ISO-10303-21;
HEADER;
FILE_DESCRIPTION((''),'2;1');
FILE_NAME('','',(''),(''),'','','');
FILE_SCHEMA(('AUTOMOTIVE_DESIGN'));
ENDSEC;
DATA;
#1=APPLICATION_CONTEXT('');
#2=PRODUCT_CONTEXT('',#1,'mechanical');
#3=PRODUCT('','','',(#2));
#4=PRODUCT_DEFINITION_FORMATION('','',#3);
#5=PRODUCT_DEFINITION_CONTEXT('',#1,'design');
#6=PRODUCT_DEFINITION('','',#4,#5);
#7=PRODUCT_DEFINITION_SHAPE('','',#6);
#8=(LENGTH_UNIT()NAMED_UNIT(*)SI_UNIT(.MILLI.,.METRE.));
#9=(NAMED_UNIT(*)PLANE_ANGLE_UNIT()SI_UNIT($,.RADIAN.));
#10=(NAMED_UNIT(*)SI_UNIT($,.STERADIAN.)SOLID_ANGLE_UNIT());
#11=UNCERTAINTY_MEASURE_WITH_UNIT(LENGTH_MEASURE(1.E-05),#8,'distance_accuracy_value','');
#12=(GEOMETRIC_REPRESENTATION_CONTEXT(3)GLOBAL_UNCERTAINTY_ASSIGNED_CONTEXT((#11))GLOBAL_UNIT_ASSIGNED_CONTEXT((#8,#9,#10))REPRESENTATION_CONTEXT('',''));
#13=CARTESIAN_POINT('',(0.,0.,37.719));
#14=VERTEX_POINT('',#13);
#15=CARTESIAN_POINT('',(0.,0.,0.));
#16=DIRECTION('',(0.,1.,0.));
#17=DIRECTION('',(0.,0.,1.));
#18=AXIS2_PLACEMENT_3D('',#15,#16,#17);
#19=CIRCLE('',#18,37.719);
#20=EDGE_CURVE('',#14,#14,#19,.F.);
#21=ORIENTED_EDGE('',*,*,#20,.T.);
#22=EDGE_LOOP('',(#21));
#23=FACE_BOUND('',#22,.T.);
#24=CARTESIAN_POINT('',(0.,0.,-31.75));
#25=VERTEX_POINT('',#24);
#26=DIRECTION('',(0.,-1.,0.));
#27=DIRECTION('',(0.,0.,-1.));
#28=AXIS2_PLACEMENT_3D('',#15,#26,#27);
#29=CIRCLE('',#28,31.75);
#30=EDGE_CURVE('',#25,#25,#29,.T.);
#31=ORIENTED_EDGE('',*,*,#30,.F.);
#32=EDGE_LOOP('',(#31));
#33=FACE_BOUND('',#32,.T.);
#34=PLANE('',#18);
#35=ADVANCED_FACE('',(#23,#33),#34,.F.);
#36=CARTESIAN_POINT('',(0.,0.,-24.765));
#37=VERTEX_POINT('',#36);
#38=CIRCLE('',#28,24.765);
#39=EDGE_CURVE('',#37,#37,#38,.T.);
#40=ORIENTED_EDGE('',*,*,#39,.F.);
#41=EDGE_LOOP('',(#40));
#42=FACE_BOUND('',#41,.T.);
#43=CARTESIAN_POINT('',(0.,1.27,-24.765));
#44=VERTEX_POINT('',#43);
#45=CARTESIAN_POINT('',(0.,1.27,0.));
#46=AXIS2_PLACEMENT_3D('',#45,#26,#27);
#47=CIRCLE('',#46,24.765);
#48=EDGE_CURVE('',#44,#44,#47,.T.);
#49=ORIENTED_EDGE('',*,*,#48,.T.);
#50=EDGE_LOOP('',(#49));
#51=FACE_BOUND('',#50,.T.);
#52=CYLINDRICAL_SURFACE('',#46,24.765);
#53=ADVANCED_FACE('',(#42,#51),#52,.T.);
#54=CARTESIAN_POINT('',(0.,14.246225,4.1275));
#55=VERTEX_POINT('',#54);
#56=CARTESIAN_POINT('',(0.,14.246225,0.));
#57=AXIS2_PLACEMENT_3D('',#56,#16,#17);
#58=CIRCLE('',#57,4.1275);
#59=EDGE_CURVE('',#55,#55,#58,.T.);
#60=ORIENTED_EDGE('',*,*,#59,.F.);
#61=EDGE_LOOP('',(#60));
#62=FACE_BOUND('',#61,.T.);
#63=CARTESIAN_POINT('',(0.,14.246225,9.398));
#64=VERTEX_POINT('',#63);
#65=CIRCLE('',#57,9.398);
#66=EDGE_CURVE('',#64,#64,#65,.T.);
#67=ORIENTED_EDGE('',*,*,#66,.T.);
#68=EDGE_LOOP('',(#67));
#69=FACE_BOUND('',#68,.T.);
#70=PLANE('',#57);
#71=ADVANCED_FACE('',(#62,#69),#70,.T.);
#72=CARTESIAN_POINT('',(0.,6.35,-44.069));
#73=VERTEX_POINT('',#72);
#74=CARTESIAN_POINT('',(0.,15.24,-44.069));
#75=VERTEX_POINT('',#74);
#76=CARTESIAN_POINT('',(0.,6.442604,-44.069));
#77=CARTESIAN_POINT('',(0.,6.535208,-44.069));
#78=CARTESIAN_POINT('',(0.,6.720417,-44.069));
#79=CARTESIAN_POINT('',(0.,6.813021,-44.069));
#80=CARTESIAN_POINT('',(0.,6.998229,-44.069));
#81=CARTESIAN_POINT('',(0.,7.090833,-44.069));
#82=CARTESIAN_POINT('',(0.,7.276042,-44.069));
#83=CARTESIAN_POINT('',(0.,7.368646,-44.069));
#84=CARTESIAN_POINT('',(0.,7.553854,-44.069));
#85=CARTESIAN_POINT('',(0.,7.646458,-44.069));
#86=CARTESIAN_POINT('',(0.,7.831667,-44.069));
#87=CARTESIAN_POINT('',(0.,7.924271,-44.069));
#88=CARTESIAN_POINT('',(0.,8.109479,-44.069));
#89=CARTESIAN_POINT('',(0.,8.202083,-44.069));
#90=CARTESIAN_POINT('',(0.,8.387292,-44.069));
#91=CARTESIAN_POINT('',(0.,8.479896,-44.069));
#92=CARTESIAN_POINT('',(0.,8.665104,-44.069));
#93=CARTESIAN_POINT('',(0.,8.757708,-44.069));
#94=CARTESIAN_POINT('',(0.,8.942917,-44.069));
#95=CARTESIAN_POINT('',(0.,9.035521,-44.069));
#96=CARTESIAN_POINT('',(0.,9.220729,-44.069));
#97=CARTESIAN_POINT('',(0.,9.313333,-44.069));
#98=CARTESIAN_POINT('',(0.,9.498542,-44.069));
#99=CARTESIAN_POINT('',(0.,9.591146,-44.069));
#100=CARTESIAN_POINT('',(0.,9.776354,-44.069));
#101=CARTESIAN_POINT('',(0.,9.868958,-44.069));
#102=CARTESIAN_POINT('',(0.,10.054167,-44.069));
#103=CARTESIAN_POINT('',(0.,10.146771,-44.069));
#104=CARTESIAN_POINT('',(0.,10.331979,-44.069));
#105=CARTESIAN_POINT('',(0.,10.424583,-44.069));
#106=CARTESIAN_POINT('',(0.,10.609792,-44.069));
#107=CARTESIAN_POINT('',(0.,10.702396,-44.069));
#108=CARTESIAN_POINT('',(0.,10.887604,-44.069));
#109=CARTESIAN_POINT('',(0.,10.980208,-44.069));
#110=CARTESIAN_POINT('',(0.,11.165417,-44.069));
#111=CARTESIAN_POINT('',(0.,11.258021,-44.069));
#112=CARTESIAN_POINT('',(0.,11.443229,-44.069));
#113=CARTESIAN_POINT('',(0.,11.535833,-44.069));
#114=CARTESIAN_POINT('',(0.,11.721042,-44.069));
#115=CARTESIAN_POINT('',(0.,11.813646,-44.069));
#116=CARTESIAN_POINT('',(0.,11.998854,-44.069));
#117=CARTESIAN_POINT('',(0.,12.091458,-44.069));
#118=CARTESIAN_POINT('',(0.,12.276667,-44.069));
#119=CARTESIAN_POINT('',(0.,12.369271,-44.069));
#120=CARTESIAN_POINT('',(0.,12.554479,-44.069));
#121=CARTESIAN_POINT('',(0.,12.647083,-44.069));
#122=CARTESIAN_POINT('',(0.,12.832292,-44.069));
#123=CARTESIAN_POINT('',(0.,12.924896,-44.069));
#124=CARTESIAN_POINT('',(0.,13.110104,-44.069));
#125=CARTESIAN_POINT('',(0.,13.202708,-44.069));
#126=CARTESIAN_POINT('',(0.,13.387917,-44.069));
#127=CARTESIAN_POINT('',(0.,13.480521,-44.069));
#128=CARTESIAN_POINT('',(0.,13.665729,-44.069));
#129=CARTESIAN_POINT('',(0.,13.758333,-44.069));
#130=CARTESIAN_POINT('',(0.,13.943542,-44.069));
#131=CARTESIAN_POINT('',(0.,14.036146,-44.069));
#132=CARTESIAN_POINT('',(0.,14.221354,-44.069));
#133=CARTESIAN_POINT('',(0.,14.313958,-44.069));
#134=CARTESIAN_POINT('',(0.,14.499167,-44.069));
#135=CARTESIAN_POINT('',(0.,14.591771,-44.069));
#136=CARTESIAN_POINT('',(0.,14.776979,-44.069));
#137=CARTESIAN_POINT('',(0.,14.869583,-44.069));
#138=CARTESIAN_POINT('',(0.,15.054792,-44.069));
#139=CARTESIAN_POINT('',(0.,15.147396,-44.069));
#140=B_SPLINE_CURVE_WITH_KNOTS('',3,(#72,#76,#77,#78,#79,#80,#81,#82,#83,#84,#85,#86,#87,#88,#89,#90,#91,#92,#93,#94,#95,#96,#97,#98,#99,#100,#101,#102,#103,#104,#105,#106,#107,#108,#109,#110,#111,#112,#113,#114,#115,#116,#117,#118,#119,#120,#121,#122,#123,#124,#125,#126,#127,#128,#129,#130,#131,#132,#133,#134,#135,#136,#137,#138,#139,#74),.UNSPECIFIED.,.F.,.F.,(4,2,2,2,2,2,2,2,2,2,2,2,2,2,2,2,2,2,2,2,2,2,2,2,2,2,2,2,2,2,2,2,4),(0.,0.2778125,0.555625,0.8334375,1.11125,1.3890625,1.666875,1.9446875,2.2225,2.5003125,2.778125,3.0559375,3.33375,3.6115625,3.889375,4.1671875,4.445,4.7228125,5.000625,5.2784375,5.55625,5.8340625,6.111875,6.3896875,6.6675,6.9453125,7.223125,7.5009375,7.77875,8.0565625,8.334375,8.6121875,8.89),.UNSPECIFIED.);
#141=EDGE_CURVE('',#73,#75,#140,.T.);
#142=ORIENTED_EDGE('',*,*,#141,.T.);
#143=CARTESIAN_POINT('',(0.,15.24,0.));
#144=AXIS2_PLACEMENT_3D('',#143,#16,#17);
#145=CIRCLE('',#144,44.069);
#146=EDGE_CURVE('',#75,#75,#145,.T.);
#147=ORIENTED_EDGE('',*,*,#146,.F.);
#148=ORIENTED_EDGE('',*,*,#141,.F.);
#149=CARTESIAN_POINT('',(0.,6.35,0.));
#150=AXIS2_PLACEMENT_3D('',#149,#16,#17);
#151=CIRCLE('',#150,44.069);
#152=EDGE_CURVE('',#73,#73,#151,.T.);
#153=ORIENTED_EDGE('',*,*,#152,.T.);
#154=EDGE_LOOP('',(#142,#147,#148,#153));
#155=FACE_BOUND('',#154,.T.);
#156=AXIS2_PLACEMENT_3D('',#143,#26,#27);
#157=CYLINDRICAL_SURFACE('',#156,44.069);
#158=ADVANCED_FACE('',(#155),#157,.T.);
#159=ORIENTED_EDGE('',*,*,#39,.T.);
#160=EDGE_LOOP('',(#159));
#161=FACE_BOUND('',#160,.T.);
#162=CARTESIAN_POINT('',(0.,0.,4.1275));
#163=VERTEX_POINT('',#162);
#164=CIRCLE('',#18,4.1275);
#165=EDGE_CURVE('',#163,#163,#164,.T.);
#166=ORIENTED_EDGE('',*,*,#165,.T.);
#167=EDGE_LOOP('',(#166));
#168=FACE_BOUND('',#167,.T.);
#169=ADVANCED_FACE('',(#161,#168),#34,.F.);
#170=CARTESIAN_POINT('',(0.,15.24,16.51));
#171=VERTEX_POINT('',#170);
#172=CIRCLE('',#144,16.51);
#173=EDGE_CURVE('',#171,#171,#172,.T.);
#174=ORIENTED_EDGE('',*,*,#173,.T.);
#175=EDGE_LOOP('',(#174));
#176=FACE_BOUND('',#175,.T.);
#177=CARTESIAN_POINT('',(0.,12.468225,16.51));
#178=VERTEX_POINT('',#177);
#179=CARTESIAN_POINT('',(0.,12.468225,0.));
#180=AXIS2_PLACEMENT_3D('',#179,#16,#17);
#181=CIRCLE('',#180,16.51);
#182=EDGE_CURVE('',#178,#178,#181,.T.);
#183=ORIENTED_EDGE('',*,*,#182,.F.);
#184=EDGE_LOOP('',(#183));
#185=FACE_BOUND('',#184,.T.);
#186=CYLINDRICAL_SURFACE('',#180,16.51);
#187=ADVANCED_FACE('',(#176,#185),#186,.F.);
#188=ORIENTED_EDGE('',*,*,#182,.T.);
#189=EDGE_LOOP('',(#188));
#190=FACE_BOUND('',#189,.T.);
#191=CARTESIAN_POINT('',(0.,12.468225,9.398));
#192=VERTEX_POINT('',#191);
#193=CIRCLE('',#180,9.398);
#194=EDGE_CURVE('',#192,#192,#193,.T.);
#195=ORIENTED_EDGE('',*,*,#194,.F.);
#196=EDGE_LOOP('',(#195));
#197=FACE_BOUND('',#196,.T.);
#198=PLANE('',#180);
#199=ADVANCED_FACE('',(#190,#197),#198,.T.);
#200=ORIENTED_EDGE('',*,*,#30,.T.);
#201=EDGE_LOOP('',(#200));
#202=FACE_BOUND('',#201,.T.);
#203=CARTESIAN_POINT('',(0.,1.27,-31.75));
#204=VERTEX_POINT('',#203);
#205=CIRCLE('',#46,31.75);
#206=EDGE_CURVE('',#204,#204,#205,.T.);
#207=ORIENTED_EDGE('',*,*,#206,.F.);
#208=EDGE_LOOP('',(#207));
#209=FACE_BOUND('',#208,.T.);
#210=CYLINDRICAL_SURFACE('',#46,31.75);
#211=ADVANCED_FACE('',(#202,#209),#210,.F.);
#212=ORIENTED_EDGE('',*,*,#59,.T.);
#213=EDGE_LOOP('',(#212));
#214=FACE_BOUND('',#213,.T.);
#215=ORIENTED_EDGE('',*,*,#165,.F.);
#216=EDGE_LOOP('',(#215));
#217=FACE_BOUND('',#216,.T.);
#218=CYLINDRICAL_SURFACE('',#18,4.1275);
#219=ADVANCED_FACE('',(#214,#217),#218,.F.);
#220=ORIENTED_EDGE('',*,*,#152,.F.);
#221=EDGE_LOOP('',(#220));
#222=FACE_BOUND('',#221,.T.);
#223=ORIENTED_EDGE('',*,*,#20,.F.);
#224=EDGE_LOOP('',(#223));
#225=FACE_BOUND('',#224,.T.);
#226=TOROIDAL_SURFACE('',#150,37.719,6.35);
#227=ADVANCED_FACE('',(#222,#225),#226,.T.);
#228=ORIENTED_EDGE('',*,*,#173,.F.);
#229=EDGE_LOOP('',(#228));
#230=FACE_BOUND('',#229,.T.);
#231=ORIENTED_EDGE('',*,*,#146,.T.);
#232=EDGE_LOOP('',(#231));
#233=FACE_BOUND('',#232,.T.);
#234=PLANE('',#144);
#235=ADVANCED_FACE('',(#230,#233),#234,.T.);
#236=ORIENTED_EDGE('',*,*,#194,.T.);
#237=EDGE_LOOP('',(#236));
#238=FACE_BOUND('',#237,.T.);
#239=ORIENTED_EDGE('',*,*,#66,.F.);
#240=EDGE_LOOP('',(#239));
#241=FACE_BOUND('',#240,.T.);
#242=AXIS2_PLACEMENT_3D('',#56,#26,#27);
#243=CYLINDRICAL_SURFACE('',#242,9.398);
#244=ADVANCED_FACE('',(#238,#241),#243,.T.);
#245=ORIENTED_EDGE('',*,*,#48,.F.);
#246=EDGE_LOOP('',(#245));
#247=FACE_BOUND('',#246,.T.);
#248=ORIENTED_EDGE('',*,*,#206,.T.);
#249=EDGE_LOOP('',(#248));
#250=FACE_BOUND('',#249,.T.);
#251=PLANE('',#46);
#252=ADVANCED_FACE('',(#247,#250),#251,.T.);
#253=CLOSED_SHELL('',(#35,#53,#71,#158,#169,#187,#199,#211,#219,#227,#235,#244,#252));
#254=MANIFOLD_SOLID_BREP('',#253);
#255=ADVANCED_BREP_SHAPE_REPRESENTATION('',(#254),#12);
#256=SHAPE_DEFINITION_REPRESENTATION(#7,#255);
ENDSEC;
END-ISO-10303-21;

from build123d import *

# Parameters (mm, degrees)
SKETCH1_R           = 44.069
BOSS_EXTRUDE1_DEPTH = 15.24
SKETCH3_R           = 16.51
CUT_EXTRUDE1_DEPTH  = 2.771775
SKETCH4_R           = 4.1275
CUT_EXTRUDE2_DEPTH  = 64.557927567
BOSS_EXTRUDE2_START = 1.778
SKETCH5_R           = 9.398
SKETCH5_R_2         = 4.1275
BOSS_EXTRUDE2_DEPTH = 1.778
FILLET1_R           = 6.35
SKETCH6_R           = 31.75
SKETCH6_R_2         = 24.765
CUT_EXTRUDE3_DEPTH  = 1.27


with BuildPart() as part:
    # Sketch1 → Boss-Extrude1 (new body)
    with BuildSketch(Plane(origin=(0, 0, 0), x_dir=(1, 0, 0), z_dir=(0, 1, 0))):
        with Locations(Location((0, 0, 0), (0, 0, 90))):
            Circle(SKETCH1_R)
    extrude(amount=BOSS_EXTRUDE1_DEPTH)

    # Sketch3 → Cut-Extrude1 (cut)
    with BuildSketch(Plane(origin=(0, 15.24, 0), x_dir=(1, 0, 0), z_dir=(0, 1, 0))):
        with Locations(Location((0, 0, 0), (0, 0, 270))):
            Circle(SKETCH3_R)
    extrude(amount=-CUT_EXTRUDE1_DEPTH, mode=Mode.SUBTRACT)

    # Sketch4 → Cut-Extrude2 (cut, through all)
    with BuildSketch(Plane(origin=(0, 12.468225, 0), x_dir=(1, 0, 0), z_dir=(0, 1, 0))):
        with Locations(Location((0, 0, 0), (0, 0, 270))):
            Circle(SKETCH4_R)
    extrude(amount=-CUT_EXTRUDE2_DEPTH, mode=Mode.SUBTRACT)

    # Sketch5 → Boss-Extrude2 (add)
    with BuildSketch(Plane(origin=(0, 12.468225, 0), x_dir=(1, 0, 0), z_dir=(0, 1, 0)).offset(BOSS_EXTRUDE2_START)):
        with Locations(Location((0, 0, 0), (0, 0, 270))):
            Circle(SKETCH5_R)
        with Locations(Location((0, 0, 0), (0, 0, 270))):
            Circle(SKETCH5_R_2, mode=Mode.SUBTRACT)
    extrude(amount=-BOSS_EXTRUDE2_DEPTH)

    # Fillet1
    fillet1_edges = [part.edges().sort_by_distance(p)[0] for p in [
        (0, 0, 44.069),
    ]]
    fillet(fillet1_edges, radius=FILLET1_R)

    # Sketch6 → Cut-Extrude3 (cut)
    with BuildSketch(Plane.XZ):
        with Locations(Location((0, 0, 0), (0, 0, 270))):
            Circle(SKETCH6_R)
        with Locations(Location((0, 0, 0), (0, 0, 270))):
            Circle(SKETCH6_R_2, mode=Mode.SUBTRACT)
    extrude(amount=-CUT_EXTRUDE3_DEPTH, mode=Mode.SUBTRACT)


solid = part.part
